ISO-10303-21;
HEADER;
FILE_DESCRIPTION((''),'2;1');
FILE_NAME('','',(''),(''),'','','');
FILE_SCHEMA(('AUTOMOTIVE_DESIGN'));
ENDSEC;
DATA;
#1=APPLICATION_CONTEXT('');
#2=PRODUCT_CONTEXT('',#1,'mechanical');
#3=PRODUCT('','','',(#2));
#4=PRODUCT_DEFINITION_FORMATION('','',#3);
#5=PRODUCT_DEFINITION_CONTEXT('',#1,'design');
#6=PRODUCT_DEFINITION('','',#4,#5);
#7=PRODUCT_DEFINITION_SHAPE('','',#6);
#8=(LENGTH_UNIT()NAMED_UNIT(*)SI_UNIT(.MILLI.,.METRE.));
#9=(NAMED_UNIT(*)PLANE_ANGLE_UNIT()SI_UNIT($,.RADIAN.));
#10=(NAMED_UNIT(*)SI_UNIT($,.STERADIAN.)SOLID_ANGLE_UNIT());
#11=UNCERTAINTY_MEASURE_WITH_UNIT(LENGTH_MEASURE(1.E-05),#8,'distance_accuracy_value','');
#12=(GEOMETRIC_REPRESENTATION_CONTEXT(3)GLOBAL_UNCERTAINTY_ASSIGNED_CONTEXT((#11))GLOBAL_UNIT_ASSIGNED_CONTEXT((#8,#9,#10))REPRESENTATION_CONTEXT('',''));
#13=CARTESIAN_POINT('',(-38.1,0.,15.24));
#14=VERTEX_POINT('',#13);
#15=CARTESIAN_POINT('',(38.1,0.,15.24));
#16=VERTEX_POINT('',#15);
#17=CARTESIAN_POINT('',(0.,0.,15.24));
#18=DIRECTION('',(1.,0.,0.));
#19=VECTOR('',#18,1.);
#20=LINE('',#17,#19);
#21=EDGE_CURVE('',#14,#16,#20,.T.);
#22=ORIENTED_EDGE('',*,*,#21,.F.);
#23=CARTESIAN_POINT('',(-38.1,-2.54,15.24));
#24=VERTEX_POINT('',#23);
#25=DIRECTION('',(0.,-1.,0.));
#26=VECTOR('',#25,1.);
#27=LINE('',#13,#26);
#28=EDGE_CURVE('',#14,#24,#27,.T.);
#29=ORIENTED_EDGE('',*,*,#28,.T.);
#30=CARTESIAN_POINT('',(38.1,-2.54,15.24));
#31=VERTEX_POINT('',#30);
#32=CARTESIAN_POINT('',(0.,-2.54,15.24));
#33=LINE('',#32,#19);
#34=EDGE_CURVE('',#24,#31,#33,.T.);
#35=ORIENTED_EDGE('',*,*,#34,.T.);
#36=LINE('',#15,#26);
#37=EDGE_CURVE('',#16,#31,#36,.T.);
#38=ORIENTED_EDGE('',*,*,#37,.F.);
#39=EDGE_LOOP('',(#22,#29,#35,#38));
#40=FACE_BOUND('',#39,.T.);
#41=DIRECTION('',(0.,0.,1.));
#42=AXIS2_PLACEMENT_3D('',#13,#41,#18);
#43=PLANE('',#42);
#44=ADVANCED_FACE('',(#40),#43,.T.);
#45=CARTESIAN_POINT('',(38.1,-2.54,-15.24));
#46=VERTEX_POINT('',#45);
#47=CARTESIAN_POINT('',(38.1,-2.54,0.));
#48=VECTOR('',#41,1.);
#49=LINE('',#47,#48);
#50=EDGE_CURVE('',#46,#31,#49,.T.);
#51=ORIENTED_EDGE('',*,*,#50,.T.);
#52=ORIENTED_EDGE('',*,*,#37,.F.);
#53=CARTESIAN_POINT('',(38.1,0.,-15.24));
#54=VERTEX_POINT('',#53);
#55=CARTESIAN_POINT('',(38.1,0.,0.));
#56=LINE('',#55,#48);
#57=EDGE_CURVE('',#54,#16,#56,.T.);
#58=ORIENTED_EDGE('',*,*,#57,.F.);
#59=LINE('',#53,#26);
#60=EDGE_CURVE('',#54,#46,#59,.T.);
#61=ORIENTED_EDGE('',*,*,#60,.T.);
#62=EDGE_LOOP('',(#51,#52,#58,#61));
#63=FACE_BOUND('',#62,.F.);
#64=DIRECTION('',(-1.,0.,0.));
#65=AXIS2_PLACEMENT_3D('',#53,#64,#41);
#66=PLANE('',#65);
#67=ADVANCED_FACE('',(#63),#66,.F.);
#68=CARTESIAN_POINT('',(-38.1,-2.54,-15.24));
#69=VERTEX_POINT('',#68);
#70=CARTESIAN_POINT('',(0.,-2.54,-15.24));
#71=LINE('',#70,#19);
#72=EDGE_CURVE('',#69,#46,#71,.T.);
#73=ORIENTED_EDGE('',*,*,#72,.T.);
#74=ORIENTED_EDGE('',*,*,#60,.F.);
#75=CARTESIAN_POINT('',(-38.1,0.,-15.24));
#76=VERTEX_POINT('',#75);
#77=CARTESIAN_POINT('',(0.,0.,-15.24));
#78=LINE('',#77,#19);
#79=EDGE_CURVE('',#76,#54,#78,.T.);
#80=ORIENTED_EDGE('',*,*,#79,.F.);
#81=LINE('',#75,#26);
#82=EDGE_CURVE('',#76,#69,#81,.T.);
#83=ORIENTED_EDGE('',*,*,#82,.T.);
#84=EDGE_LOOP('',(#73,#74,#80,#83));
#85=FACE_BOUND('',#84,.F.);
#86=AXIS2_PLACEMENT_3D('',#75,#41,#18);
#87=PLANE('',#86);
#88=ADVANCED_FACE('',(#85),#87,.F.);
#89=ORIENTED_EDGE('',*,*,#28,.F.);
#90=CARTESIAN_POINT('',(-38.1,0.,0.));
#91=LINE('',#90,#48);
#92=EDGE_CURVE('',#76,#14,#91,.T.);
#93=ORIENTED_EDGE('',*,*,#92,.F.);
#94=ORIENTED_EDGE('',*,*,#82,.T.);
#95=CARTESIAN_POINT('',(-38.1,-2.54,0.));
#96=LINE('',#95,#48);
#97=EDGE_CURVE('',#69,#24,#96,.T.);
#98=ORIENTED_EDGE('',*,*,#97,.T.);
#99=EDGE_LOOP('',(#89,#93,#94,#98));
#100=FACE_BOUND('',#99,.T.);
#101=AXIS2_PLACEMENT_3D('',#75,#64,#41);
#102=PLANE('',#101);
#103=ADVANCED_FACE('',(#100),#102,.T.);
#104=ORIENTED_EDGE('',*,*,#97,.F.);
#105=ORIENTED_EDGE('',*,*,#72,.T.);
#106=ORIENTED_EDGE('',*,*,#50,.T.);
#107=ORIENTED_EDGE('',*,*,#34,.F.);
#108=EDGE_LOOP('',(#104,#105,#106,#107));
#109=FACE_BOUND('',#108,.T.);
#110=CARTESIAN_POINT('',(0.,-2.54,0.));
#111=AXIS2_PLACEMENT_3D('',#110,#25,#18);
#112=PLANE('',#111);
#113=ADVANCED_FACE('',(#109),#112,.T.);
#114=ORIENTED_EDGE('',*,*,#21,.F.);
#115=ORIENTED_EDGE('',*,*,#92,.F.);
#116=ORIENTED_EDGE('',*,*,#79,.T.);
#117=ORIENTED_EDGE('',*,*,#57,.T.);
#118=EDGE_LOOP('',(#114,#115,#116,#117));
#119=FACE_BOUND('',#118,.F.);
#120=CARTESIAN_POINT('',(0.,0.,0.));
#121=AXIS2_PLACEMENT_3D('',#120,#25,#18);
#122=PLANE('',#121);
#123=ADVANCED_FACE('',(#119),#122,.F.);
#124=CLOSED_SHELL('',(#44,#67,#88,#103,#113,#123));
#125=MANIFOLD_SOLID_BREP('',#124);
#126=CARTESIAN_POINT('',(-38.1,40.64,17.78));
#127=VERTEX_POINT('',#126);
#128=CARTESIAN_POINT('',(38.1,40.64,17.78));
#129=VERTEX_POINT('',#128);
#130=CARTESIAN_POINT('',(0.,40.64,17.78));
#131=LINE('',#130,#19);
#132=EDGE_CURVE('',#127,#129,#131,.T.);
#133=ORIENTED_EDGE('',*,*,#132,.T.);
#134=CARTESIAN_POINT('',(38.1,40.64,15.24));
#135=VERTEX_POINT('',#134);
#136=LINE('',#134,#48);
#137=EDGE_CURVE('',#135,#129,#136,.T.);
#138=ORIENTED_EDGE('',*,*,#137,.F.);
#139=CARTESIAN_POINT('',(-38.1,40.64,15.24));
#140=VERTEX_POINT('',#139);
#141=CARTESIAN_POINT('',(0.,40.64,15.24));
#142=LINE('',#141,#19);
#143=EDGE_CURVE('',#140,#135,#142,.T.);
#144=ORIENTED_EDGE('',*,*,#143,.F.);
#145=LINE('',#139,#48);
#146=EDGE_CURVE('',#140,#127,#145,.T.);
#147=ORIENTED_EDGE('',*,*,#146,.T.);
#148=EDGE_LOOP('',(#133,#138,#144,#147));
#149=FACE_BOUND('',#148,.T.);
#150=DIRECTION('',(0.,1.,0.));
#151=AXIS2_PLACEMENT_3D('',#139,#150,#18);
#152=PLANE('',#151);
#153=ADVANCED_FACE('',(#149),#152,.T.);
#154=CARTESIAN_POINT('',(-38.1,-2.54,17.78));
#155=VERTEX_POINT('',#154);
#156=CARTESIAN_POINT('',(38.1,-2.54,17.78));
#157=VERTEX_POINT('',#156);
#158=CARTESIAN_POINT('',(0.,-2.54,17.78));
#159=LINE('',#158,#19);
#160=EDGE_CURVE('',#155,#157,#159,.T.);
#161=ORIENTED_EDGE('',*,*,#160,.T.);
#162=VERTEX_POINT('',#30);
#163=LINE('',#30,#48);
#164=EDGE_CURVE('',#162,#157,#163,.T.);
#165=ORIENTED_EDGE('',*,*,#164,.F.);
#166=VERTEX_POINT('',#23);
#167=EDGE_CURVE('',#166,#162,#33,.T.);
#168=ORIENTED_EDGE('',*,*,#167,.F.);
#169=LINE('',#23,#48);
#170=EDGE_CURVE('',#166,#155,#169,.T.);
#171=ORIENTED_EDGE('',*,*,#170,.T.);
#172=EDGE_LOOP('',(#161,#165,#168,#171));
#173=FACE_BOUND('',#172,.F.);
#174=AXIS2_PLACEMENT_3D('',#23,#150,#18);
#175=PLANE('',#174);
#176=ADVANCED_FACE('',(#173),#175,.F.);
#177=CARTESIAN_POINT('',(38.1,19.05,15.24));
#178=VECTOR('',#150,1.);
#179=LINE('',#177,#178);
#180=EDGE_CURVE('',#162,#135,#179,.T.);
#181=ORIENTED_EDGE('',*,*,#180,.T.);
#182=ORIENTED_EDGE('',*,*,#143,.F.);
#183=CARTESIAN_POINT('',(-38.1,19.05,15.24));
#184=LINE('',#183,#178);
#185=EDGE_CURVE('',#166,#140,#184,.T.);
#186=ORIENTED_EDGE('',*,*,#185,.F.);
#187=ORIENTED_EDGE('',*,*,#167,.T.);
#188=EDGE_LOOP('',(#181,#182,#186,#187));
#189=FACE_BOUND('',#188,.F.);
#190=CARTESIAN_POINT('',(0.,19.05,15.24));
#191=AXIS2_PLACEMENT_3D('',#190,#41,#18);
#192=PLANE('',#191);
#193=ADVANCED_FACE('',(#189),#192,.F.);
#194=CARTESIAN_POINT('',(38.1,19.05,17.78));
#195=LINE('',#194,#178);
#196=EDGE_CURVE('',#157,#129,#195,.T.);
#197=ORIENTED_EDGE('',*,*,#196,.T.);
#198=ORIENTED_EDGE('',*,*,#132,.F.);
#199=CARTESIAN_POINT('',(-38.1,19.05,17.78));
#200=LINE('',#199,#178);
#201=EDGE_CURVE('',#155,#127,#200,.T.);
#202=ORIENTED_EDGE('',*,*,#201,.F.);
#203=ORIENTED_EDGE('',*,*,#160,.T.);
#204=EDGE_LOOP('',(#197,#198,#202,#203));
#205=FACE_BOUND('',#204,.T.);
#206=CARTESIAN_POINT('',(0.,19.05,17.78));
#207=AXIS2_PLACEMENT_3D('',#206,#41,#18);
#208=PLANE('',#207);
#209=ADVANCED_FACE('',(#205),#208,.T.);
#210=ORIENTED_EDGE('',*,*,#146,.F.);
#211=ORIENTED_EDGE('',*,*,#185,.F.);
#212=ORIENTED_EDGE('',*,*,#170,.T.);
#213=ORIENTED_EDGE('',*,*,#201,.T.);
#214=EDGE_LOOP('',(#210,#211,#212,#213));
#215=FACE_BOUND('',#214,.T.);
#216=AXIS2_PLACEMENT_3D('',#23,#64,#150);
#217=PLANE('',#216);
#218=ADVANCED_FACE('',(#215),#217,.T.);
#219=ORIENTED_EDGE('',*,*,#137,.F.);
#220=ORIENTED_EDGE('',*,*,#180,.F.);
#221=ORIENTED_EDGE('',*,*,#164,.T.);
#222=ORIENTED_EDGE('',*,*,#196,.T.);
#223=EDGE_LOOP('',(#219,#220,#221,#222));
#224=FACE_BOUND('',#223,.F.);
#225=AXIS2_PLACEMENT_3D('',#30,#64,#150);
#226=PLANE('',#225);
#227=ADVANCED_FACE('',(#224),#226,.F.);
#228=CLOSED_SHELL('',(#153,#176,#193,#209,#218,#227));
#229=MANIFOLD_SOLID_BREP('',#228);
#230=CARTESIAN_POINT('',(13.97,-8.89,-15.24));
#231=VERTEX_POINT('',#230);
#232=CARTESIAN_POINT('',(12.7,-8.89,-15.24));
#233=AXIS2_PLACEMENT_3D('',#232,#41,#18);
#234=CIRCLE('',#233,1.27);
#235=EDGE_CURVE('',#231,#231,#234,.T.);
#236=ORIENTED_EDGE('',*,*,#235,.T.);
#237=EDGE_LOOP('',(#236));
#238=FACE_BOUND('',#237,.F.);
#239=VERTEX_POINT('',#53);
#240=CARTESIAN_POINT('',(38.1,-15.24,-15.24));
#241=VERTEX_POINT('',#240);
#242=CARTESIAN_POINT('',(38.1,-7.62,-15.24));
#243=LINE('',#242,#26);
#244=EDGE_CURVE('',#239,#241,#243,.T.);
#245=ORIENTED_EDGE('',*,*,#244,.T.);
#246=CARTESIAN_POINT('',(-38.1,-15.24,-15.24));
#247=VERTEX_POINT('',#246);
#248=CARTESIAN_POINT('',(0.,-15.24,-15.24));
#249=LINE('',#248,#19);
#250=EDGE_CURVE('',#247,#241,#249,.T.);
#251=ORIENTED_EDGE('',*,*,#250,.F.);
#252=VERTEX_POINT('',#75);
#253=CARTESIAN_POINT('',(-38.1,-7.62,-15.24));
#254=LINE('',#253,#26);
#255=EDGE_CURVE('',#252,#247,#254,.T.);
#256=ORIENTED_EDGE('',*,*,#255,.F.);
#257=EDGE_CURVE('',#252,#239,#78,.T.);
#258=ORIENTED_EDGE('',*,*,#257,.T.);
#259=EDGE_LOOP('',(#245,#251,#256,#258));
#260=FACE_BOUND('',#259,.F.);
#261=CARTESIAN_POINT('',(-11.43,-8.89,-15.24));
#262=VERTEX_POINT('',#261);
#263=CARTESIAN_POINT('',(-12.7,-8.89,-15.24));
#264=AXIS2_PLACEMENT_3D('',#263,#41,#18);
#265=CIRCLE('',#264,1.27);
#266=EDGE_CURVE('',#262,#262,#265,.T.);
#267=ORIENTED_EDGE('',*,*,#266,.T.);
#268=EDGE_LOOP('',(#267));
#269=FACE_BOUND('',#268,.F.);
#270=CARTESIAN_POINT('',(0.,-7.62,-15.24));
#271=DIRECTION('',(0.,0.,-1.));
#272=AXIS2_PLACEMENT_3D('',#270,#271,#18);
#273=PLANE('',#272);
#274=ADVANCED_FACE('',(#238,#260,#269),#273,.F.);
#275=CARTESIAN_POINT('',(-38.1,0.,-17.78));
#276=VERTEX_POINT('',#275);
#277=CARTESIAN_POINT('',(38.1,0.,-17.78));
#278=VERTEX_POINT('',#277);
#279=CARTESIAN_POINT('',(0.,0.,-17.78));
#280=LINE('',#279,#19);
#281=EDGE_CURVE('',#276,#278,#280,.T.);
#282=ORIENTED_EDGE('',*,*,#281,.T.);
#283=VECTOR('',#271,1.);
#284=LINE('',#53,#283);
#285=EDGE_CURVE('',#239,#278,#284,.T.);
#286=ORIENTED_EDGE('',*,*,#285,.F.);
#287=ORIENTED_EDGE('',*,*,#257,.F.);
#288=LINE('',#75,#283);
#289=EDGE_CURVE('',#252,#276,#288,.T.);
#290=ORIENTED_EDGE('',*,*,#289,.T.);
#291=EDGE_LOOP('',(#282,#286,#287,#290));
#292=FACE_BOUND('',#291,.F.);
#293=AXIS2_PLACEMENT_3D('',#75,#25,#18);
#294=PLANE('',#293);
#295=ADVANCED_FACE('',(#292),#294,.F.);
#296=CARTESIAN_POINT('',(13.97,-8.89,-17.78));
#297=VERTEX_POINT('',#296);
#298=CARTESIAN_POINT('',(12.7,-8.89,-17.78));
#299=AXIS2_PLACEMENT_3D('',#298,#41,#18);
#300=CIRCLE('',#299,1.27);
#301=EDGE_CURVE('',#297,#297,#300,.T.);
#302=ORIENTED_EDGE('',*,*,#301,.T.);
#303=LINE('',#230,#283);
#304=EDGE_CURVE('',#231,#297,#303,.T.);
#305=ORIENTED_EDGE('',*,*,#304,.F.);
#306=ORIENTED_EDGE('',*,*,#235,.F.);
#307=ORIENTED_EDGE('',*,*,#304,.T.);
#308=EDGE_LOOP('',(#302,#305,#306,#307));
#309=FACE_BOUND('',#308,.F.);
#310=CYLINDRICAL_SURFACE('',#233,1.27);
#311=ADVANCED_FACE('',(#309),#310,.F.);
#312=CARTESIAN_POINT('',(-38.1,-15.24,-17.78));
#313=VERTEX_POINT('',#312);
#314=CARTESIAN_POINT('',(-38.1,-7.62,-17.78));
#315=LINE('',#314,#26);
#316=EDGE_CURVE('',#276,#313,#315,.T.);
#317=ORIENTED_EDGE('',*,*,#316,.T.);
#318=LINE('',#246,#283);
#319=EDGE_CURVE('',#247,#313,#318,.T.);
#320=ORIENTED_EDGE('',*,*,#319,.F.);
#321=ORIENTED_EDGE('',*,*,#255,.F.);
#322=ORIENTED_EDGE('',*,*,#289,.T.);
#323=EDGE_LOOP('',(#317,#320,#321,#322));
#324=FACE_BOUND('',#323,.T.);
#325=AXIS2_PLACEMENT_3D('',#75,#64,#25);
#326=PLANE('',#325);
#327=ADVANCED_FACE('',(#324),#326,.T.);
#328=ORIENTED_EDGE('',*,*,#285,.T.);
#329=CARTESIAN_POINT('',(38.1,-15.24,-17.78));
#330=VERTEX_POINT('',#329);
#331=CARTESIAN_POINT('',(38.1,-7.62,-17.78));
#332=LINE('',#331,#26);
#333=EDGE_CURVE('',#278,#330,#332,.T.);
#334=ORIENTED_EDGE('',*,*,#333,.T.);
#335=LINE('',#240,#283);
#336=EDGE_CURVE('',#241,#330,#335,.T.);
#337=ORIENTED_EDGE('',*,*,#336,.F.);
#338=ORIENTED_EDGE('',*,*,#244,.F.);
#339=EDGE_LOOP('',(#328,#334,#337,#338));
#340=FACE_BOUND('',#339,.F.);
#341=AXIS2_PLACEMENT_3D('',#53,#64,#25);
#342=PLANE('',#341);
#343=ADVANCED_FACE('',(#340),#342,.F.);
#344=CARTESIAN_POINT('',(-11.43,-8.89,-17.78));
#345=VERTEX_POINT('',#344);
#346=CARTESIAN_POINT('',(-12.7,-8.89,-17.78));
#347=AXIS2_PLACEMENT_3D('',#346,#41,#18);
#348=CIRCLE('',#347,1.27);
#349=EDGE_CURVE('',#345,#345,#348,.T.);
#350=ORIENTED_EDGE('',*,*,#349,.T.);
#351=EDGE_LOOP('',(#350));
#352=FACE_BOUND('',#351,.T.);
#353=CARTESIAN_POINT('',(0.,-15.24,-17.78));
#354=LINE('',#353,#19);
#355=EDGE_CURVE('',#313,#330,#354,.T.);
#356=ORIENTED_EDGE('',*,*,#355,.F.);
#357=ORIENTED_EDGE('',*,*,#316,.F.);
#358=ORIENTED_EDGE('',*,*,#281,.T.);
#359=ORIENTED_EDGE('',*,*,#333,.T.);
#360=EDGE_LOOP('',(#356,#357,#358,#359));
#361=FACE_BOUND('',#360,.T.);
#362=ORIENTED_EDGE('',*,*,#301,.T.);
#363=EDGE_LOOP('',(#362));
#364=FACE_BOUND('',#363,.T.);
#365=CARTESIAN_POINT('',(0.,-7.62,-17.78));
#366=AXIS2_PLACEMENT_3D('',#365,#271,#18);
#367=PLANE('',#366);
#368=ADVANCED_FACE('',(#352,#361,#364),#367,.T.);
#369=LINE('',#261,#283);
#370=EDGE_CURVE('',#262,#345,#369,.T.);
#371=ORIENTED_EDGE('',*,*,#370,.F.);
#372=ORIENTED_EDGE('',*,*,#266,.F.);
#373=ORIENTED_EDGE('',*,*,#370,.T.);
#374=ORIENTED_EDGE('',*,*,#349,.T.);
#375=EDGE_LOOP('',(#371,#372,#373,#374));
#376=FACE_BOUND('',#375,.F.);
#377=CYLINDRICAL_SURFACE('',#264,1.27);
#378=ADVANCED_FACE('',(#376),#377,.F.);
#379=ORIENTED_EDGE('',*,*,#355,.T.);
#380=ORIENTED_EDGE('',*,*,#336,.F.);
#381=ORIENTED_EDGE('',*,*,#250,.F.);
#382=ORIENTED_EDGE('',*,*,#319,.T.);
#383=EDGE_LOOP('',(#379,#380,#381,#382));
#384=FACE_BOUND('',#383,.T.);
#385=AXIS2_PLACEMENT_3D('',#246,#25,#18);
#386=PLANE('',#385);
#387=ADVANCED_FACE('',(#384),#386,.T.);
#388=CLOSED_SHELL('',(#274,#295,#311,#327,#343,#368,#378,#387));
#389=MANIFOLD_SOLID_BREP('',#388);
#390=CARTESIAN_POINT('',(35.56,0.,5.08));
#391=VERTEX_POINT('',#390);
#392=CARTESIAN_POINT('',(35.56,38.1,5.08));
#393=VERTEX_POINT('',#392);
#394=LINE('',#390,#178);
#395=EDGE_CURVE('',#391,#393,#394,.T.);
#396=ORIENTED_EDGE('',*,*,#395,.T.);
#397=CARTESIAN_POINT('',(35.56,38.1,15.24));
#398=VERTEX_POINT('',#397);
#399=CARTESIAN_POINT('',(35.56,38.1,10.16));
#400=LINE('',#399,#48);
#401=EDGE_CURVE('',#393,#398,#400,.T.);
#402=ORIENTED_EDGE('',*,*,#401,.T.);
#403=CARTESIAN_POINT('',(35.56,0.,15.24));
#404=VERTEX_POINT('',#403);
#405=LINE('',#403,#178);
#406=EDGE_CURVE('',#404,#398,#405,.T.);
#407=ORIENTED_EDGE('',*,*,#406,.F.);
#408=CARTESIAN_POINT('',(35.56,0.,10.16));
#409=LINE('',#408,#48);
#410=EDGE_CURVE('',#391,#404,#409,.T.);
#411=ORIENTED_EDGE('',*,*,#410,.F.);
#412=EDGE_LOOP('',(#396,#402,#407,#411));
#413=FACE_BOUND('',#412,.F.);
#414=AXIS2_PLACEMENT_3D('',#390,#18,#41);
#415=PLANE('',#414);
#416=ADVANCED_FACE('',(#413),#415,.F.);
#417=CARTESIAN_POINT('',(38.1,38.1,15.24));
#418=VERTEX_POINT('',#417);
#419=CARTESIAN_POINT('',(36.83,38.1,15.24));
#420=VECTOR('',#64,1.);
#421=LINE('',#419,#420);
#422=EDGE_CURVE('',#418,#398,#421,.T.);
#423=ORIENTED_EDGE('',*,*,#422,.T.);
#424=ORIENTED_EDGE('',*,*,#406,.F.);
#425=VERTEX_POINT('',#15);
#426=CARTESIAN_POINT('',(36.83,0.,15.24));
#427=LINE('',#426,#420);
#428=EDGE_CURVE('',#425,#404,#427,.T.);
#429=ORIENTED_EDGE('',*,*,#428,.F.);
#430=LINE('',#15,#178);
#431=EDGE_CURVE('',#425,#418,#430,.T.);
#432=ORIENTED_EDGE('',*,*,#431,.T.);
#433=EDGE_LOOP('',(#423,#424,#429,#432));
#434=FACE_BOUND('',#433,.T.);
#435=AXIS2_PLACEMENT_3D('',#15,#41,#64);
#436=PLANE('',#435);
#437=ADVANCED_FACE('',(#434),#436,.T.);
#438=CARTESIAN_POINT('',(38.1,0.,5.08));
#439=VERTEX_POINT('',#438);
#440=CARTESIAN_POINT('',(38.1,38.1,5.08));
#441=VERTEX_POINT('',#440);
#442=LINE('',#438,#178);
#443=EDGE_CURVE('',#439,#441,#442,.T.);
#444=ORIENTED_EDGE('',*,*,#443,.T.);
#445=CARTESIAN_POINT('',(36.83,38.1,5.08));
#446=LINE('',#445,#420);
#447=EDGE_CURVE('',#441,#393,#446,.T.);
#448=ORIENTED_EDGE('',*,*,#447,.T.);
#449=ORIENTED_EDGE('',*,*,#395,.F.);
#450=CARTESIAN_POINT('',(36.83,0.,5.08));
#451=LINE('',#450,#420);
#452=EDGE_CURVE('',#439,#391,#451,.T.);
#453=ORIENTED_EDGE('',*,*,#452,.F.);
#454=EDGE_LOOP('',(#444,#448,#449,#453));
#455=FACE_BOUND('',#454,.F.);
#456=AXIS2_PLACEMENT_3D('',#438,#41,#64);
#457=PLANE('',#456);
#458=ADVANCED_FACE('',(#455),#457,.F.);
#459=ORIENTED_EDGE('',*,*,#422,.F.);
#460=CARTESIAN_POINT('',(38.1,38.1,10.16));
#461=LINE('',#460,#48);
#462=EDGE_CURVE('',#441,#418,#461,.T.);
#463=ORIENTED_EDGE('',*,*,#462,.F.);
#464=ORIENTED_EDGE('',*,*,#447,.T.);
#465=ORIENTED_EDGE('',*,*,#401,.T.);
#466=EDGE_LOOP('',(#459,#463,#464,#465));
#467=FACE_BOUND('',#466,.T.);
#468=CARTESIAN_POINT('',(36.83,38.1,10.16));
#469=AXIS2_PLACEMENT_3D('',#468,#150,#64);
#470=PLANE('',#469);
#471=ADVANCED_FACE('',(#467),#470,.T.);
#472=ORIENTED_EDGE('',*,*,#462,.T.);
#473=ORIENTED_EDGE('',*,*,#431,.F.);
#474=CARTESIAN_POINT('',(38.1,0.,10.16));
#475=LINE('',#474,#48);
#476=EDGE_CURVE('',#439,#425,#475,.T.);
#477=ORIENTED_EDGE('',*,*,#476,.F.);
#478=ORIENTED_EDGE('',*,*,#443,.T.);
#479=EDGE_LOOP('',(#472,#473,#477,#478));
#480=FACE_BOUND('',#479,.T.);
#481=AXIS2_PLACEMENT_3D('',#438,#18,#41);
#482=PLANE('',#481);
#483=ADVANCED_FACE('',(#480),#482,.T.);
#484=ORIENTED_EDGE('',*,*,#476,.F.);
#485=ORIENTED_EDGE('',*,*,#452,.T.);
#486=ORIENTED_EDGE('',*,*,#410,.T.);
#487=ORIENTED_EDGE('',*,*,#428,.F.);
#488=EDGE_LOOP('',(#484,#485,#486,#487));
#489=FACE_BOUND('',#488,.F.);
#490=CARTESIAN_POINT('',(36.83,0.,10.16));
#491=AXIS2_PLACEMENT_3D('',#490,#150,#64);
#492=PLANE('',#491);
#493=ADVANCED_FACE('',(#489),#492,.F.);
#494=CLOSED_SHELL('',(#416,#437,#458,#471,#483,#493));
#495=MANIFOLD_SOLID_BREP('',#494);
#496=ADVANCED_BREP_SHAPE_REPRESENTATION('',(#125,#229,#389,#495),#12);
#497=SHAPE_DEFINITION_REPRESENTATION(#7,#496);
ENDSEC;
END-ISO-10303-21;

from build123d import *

# Parameters (mm, degrees)
F0_W      = 76.2
F0_H      = 30.48
F1_DEPTH  = 2.54
F2_W      = 43.18
F2_H      = 10.16
F3_DEPTH  = 2.54
F5_W      = 2.54
F5_H      = 10.16
F6_DEPTH  = 38.1
F7_W      = 76.2
F7_H      = 43.18
F8_DEPTH  = 2.54
F9_W      = 76.2
F9_H      = 15.24
F10_DEPTH = 2.54
F11_R     = 1.27
F12_DEPTH = 2.54
F13_DEPTH = 2.54


with BuildPart() as f1:
    # F0 (on Front) → F1 (new body)
    with BuildSketch(Plane.XZ):
        Rectangle(F0_W, F0_H)
    extrude(amount=F1_DEPTH)

    # F11 (on face) → F13 (cut)
    with BuildSketch(Plane.XY.offset(-15.24)):
        with Locations((-12.7, -8.89)):
            Circle(F11_R)
        with Locations((12.7, -8.89)):
            Circle(F11_R)
    extrude(amount=-F13_DEPTH, mode=Mode.SUBTRACT)


with BuildPart() as f3:
    # F2 (on Right) → F3 (new body)
    with BuildSketch(Plane.YZ):
        Rectangle(F2_W, F2_H)
    extrude(amount=F3_DEPTH)


with BuildPart() as f6:
    # F5 (on face) → F6 (new body)
    with BuildSketch(Plane(origin=(0, 0, 0), x_dir=(-1, 0, 0), z_dir=(0, 1, 0))):
        with Locations((-36.83, 10.16)):
            Rectangle(F5_W, F5_H)
    extrude(amount=F6_DEPTH)


with BuildPart() as f8:
    # F7 (on face) → F8 (new body)
    with BuildSketch(Plane.XY.offset(15.24)):
        with Locations((0, 19.05)):
            Rectangle(F7_W, F7_H)
    extrude(amount=F8_DEPTH)


with BuildPart() as f10:
    # F9 (on face) → F10 (new body)
    with BuildSketch(Plane(origin=(0, 0, -15.24), x_dir=(1, 0, 0), z_dir=(0, 0, -1))):
        with Locations((0, 7.62)):
            Rectangle(F9_W, F9_H)
    extrude(amount=F10_DEPTH)

    # F11 (on face) → F12 (cut)
    with BuildSketch(Plane.XY.offset(-15.24)):
        with Locations((-12.7, -8.89)):
            Circle(F11_R)
        with Locations((12.7, -8.89)):
            Circle(F11_R)
    extrude(amount=-F12_DEPTH, mode=Mode.SUBTRACT)


solid = Compound([f1.part, f6.part, f8.part, f10.part])
